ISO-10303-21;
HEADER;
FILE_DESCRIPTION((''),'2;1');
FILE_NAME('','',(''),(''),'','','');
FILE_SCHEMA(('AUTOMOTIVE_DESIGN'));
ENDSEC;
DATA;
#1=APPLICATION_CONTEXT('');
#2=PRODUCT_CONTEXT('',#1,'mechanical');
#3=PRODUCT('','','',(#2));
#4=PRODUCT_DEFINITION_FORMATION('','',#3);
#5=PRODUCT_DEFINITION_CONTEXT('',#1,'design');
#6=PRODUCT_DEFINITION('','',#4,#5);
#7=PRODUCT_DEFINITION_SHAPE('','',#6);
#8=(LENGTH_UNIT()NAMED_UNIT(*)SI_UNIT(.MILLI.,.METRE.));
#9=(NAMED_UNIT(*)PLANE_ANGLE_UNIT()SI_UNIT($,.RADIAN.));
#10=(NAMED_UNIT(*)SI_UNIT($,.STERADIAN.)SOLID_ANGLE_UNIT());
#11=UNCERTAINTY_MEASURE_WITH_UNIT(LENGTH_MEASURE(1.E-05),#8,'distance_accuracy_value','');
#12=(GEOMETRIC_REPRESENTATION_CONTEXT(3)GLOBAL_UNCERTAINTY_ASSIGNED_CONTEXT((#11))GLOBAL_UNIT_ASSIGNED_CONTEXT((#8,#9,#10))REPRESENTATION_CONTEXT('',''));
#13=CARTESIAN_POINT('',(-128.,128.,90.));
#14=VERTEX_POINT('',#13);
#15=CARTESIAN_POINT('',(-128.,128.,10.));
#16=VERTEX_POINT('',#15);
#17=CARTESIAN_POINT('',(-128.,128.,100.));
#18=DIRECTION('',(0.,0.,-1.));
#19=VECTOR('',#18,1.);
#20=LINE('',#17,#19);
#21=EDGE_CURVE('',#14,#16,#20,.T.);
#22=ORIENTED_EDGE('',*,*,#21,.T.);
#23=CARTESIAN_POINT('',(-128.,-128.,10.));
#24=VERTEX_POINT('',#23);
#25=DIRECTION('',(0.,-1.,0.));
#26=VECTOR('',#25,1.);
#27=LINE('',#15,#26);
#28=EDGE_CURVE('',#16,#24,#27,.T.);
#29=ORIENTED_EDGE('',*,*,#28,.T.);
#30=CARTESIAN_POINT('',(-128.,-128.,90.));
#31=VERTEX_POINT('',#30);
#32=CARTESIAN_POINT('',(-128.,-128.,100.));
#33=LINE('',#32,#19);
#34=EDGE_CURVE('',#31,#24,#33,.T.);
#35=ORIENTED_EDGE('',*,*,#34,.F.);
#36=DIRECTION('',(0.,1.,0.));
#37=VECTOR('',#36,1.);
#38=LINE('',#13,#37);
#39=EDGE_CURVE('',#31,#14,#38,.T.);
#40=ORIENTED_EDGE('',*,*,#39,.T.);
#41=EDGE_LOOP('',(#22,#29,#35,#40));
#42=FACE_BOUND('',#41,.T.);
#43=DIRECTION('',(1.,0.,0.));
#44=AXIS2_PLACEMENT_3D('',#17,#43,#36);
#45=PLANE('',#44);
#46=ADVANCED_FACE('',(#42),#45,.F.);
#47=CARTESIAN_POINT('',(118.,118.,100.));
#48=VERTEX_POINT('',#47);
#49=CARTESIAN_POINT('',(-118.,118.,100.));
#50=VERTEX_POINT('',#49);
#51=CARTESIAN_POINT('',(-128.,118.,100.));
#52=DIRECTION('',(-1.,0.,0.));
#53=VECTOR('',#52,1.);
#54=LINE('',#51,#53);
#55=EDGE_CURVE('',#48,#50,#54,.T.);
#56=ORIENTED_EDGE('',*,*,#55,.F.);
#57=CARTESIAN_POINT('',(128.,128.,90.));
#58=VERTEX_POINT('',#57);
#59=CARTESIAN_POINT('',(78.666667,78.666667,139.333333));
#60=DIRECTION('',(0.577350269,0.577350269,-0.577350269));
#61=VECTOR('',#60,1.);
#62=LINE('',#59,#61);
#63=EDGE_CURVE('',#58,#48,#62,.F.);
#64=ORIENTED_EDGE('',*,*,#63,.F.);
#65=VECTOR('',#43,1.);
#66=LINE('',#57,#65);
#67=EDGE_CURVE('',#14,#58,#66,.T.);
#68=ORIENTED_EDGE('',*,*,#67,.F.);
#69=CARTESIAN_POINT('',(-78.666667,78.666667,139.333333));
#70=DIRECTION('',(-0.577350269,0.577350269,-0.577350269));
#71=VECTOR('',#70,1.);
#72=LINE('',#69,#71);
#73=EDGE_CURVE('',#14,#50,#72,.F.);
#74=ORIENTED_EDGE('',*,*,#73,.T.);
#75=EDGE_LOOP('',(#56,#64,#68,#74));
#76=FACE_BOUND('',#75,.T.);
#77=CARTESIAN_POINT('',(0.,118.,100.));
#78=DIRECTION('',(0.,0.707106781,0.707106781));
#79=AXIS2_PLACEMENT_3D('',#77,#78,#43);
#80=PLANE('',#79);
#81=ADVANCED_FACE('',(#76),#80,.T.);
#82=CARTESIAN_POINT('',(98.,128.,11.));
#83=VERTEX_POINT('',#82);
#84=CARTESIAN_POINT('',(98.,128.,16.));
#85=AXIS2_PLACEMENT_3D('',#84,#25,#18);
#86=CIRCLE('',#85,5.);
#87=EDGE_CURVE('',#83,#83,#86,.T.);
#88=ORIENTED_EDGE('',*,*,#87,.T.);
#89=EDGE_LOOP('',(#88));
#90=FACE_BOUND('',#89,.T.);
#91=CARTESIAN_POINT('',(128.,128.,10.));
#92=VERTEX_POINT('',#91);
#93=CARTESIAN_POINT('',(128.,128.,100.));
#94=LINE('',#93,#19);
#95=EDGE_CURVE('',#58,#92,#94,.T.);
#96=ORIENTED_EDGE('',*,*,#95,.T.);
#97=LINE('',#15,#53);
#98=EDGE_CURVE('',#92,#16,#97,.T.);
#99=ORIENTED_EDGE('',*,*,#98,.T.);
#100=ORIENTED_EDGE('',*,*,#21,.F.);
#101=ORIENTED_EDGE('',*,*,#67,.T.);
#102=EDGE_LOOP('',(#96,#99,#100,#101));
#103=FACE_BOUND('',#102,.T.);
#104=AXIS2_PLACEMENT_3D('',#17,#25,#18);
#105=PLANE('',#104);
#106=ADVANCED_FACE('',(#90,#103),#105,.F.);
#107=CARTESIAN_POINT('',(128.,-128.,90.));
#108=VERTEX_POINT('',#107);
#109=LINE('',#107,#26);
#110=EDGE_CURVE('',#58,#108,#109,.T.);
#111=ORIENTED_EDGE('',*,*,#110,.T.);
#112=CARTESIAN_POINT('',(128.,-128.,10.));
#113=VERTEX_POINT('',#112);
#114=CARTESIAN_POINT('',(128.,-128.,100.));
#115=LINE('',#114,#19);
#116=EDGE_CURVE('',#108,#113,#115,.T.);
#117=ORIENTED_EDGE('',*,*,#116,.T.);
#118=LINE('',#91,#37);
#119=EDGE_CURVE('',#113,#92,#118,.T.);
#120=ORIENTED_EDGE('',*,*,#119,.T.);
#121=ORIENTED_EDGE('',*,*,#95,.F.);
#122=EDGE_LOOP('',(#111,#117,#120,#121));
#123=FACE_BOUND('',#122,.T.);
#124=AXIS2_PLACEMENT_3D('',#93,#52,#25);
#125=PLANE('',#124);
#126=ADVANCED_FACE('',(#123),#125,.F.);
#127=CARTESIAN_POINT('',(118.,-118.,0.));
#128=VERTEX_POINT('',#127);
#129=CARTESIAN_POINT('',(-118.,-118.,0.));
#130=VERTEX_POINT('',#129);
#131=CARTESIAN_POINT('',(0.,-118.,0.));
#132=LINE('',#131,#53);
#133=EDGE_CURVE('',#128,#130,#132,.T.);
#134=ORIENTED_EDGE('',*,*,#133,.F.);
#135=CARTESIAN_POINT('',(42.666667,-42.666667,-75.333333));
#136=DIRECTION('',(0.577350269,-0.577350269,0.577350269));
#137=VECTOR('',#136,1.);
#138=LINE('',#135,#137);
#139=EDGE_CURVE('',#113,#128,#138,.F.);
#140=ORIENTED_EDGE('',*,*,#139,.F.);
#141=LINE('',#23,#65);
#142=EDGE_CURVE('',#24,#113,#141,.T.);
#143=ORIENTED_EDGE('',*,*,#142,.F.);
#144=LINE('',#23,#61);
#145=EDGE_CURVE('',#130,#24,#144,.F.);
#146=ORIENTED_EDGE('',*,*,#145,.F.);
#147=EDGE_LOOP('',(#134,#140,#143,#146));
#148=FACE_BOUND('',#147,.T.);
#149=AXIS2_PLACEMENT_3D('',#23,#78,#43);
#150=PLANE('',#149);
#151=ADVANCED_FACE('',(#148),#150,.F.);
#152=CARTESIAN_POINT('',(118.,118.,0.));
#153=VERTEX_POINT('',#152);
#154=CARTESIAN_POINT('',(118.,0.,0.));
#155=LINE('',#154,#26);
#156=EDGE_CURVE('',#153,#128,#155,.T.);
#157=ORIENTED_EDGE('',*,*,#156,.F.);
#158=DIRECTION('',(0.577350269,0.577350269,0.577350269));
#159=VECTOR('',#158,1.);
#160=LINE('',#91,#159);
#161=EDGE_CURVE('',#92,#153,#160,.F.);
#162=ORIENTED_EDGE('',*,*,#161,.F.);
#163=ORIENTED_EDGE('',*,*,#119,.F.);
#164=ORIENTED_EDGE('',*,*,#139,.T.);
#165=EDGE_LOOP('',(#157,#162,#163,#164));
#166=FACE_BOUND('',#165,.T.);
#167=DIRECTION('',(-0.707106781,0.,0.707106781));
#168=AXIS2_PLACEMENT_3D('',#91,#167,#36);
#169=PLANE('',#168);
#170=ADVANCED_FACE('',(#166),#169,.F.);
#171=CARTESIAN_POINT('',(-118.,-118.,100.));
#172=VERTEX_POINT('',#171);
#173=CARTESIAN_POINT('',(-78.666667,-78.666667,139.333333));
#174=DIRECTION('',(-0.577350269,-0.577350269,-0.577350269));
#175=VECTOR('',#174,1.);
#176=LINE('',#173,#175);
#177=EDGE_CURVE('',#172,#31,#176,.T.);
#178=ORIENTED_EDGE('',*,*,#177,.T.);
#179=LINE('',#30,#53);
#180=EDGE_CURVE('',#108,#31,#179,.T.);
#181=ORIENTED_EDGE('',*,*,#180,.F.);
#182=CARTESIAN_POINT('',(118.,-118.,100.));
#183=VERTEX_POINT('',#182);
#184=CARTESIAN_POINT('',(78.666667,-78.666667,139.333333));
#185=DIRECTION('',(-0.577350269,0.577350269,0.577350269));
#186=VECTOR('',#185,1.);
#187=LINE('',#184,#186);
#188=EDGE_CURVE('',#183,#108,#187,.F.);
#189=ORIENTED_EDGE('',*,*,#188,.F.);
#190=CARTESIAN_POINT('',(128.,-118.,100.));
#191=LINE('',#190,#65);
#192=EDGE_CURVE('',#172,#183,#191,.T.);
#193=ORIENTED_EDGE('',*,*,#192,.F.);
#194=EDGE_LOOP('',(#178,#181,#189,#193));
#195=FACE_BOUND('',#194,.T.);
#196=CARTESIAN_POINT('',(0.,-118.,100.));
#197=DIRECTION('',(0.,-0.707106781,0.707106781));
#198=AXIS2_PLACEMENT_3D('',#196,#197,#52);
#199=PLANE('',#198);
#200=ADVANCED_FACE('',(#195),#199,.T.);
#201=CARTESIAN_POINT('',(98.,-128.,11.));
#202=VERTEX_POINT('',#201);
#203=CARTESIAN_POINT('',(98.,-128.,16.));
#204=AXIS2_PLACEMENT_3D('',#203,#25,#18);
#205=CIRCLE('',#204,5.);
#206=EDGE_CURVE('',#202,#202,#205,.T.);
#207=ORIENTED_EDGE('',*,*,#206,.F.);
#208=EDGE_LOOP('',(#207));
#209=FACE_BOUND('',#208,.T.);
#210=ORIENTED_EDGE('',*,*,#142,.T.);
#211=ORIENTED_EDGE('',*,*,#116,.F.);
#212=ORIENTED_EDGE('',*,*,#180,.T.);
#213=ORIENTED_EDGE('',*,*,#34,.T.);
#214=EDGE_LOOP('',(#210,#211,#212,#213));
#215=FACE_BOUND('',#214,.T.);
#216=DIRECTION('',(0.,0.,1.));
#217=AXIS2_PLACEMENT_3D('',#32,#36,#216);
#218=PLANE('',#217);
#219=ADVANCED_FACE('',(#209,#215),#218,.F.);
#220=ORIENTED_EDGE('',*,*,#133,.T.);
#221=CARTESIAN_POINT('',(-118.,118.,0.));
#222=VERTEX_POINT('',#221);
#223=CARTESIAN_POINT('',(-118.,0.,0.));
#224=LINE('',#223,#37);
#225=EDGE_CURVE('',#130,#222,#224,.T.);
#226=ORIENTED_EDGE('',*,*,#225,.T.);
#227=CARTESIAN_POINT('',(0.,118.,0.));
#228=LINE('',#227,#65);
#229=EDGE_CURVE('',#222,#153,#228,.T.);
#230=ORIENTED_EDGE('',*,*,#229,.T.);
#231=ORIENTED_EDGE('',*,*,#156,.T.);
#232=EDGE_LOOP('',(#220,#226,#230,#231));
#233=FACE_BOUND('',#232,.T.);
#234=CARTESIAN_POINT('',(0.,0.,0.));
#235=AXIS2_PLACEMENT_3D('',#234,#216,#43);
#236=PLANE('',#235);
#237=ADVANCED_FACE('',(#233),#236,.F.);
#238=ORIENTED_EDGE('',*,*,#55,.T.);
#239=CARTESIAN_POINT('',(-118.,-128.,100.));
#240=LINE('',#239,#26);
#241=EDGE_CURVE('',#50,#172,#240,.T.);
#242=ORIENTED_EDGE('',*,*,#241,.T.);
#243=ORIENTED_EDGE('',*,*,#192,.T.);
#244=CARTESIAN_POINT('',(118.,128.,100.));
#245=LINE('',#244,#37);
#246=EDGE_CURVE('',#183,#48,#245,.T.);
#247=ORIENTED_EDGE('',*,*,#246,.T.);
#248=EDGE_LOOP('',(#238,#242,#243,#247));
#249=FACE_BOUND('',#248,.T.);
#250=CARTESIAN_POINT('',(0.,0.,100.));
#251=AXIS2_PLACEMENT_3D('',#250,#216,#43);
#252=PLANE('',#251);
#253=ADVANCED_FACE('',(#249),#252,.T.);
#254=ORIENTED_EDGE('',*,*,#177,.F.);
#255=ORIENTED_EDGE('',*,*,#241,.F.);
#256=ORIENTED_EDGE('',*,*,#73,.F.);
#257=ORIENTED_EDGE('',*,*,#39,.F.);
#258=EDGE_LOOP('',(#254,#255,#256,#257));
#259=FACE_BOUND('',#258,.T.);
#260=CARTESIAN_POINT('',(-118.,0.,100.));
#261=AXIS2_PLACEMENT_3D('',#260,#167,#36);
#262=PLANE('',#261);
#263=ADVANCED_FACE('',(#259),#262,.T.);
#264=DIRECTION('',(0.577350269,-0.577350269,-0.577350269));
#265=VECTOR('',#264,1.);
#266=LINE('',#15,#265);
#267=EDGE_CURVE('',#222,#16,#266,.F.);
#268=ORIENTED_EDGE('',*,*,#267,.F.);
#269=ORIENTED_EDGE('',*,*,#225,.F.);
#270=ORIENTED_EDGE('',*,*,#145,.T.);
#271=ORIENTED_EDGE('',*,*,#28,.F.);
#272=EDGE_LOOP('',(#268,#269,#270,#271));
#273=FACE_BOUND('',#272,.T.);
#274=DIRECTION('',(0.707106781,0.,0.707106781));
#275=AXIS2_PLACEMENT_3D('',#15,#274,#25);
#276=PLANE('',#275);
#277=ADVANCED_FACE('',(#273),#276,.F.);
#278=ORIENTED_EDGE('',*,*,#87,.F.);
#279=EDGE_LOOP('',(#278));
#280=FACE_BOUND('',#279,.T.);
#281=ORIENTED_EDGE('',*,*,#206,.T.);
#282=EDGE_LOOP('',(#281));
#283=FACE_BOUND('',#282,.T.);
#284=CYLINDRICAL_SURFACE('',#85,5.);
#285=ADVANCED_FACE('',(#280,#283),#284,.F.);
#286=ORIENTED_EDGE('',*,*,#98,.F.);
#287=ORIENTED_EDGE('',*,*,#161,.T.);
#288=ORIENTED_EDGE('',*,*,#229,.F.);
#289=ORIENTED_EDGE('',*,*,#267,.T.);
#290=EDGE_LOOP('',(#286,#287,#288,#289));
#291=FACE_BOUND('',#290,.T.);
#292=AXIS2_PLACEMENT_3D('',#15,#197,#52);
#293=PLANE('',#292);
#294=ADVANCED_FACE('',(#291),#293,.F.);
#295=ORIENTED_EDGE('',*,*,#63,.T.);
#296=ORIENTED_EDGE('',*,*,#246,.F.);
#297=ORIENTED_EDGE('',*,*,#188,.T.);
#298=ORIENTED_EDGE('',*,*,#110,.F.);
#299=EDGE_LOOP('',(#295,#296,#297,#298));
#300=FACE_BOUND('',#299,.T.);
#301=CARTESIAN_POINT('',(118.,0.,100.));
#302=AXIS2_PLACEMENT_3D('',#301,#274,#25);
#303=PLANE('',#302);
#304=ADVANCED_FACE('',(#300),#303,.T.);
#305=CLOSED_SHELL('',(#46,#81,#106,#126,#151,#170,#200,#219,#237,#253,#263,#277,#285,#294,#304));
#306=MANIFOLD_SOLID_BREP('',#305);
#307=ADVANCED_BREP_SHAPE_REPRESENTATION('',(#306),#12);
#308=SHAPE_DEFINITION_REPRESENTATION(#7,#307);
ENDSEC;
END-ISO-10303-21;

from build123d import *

# Parameters (mm, degrees)
SKETCH_1_W          = 256
SKETCH_1_H          = 256
EXTRUDE_1_DEPTH     = 100
SKETCH_2_R          = 5
CUT_EXTRUDE_1_DEPTH = 257
CHAMFER_1_SIZE      = 10


with BuildPart() as part:
    # 草圖1 → 填料-伸長1 (new body)
    with BuildSketch(Plane.XY):
        Rectangle(SKETCH_1_W, SKETCH_1_H)
    extrude(amount=EXTRUDE_1_DEPTH)

    # 草圖2 → 除料-伸長1 (cut, through all)
    with BuildSketch(Plane.XZ.offset(128)):
        with Locations((98, 16)):
            Circle(SKETCH_2_R)
    extrude(amount=-CUT_EXTRUDE_1_DEPTH, mode=Mode.SUBTRACT)

    # 導角1
    chamfer_1_edges = [part.edges().sort_by_distance(p)[0] for p in [
        (-128, 0, 100),
        (0, -128, 100),
        (128, 0, 100),
        (0, -128, 0),
        (-128, 0, 0),
        (0, 128, 0),
        (128, 0, 0),
        (0, 128, 100),
    ]]
    chamfer(chamfer_1_edges, length=CHAMFER_1_SIZE)


solid = part.part
